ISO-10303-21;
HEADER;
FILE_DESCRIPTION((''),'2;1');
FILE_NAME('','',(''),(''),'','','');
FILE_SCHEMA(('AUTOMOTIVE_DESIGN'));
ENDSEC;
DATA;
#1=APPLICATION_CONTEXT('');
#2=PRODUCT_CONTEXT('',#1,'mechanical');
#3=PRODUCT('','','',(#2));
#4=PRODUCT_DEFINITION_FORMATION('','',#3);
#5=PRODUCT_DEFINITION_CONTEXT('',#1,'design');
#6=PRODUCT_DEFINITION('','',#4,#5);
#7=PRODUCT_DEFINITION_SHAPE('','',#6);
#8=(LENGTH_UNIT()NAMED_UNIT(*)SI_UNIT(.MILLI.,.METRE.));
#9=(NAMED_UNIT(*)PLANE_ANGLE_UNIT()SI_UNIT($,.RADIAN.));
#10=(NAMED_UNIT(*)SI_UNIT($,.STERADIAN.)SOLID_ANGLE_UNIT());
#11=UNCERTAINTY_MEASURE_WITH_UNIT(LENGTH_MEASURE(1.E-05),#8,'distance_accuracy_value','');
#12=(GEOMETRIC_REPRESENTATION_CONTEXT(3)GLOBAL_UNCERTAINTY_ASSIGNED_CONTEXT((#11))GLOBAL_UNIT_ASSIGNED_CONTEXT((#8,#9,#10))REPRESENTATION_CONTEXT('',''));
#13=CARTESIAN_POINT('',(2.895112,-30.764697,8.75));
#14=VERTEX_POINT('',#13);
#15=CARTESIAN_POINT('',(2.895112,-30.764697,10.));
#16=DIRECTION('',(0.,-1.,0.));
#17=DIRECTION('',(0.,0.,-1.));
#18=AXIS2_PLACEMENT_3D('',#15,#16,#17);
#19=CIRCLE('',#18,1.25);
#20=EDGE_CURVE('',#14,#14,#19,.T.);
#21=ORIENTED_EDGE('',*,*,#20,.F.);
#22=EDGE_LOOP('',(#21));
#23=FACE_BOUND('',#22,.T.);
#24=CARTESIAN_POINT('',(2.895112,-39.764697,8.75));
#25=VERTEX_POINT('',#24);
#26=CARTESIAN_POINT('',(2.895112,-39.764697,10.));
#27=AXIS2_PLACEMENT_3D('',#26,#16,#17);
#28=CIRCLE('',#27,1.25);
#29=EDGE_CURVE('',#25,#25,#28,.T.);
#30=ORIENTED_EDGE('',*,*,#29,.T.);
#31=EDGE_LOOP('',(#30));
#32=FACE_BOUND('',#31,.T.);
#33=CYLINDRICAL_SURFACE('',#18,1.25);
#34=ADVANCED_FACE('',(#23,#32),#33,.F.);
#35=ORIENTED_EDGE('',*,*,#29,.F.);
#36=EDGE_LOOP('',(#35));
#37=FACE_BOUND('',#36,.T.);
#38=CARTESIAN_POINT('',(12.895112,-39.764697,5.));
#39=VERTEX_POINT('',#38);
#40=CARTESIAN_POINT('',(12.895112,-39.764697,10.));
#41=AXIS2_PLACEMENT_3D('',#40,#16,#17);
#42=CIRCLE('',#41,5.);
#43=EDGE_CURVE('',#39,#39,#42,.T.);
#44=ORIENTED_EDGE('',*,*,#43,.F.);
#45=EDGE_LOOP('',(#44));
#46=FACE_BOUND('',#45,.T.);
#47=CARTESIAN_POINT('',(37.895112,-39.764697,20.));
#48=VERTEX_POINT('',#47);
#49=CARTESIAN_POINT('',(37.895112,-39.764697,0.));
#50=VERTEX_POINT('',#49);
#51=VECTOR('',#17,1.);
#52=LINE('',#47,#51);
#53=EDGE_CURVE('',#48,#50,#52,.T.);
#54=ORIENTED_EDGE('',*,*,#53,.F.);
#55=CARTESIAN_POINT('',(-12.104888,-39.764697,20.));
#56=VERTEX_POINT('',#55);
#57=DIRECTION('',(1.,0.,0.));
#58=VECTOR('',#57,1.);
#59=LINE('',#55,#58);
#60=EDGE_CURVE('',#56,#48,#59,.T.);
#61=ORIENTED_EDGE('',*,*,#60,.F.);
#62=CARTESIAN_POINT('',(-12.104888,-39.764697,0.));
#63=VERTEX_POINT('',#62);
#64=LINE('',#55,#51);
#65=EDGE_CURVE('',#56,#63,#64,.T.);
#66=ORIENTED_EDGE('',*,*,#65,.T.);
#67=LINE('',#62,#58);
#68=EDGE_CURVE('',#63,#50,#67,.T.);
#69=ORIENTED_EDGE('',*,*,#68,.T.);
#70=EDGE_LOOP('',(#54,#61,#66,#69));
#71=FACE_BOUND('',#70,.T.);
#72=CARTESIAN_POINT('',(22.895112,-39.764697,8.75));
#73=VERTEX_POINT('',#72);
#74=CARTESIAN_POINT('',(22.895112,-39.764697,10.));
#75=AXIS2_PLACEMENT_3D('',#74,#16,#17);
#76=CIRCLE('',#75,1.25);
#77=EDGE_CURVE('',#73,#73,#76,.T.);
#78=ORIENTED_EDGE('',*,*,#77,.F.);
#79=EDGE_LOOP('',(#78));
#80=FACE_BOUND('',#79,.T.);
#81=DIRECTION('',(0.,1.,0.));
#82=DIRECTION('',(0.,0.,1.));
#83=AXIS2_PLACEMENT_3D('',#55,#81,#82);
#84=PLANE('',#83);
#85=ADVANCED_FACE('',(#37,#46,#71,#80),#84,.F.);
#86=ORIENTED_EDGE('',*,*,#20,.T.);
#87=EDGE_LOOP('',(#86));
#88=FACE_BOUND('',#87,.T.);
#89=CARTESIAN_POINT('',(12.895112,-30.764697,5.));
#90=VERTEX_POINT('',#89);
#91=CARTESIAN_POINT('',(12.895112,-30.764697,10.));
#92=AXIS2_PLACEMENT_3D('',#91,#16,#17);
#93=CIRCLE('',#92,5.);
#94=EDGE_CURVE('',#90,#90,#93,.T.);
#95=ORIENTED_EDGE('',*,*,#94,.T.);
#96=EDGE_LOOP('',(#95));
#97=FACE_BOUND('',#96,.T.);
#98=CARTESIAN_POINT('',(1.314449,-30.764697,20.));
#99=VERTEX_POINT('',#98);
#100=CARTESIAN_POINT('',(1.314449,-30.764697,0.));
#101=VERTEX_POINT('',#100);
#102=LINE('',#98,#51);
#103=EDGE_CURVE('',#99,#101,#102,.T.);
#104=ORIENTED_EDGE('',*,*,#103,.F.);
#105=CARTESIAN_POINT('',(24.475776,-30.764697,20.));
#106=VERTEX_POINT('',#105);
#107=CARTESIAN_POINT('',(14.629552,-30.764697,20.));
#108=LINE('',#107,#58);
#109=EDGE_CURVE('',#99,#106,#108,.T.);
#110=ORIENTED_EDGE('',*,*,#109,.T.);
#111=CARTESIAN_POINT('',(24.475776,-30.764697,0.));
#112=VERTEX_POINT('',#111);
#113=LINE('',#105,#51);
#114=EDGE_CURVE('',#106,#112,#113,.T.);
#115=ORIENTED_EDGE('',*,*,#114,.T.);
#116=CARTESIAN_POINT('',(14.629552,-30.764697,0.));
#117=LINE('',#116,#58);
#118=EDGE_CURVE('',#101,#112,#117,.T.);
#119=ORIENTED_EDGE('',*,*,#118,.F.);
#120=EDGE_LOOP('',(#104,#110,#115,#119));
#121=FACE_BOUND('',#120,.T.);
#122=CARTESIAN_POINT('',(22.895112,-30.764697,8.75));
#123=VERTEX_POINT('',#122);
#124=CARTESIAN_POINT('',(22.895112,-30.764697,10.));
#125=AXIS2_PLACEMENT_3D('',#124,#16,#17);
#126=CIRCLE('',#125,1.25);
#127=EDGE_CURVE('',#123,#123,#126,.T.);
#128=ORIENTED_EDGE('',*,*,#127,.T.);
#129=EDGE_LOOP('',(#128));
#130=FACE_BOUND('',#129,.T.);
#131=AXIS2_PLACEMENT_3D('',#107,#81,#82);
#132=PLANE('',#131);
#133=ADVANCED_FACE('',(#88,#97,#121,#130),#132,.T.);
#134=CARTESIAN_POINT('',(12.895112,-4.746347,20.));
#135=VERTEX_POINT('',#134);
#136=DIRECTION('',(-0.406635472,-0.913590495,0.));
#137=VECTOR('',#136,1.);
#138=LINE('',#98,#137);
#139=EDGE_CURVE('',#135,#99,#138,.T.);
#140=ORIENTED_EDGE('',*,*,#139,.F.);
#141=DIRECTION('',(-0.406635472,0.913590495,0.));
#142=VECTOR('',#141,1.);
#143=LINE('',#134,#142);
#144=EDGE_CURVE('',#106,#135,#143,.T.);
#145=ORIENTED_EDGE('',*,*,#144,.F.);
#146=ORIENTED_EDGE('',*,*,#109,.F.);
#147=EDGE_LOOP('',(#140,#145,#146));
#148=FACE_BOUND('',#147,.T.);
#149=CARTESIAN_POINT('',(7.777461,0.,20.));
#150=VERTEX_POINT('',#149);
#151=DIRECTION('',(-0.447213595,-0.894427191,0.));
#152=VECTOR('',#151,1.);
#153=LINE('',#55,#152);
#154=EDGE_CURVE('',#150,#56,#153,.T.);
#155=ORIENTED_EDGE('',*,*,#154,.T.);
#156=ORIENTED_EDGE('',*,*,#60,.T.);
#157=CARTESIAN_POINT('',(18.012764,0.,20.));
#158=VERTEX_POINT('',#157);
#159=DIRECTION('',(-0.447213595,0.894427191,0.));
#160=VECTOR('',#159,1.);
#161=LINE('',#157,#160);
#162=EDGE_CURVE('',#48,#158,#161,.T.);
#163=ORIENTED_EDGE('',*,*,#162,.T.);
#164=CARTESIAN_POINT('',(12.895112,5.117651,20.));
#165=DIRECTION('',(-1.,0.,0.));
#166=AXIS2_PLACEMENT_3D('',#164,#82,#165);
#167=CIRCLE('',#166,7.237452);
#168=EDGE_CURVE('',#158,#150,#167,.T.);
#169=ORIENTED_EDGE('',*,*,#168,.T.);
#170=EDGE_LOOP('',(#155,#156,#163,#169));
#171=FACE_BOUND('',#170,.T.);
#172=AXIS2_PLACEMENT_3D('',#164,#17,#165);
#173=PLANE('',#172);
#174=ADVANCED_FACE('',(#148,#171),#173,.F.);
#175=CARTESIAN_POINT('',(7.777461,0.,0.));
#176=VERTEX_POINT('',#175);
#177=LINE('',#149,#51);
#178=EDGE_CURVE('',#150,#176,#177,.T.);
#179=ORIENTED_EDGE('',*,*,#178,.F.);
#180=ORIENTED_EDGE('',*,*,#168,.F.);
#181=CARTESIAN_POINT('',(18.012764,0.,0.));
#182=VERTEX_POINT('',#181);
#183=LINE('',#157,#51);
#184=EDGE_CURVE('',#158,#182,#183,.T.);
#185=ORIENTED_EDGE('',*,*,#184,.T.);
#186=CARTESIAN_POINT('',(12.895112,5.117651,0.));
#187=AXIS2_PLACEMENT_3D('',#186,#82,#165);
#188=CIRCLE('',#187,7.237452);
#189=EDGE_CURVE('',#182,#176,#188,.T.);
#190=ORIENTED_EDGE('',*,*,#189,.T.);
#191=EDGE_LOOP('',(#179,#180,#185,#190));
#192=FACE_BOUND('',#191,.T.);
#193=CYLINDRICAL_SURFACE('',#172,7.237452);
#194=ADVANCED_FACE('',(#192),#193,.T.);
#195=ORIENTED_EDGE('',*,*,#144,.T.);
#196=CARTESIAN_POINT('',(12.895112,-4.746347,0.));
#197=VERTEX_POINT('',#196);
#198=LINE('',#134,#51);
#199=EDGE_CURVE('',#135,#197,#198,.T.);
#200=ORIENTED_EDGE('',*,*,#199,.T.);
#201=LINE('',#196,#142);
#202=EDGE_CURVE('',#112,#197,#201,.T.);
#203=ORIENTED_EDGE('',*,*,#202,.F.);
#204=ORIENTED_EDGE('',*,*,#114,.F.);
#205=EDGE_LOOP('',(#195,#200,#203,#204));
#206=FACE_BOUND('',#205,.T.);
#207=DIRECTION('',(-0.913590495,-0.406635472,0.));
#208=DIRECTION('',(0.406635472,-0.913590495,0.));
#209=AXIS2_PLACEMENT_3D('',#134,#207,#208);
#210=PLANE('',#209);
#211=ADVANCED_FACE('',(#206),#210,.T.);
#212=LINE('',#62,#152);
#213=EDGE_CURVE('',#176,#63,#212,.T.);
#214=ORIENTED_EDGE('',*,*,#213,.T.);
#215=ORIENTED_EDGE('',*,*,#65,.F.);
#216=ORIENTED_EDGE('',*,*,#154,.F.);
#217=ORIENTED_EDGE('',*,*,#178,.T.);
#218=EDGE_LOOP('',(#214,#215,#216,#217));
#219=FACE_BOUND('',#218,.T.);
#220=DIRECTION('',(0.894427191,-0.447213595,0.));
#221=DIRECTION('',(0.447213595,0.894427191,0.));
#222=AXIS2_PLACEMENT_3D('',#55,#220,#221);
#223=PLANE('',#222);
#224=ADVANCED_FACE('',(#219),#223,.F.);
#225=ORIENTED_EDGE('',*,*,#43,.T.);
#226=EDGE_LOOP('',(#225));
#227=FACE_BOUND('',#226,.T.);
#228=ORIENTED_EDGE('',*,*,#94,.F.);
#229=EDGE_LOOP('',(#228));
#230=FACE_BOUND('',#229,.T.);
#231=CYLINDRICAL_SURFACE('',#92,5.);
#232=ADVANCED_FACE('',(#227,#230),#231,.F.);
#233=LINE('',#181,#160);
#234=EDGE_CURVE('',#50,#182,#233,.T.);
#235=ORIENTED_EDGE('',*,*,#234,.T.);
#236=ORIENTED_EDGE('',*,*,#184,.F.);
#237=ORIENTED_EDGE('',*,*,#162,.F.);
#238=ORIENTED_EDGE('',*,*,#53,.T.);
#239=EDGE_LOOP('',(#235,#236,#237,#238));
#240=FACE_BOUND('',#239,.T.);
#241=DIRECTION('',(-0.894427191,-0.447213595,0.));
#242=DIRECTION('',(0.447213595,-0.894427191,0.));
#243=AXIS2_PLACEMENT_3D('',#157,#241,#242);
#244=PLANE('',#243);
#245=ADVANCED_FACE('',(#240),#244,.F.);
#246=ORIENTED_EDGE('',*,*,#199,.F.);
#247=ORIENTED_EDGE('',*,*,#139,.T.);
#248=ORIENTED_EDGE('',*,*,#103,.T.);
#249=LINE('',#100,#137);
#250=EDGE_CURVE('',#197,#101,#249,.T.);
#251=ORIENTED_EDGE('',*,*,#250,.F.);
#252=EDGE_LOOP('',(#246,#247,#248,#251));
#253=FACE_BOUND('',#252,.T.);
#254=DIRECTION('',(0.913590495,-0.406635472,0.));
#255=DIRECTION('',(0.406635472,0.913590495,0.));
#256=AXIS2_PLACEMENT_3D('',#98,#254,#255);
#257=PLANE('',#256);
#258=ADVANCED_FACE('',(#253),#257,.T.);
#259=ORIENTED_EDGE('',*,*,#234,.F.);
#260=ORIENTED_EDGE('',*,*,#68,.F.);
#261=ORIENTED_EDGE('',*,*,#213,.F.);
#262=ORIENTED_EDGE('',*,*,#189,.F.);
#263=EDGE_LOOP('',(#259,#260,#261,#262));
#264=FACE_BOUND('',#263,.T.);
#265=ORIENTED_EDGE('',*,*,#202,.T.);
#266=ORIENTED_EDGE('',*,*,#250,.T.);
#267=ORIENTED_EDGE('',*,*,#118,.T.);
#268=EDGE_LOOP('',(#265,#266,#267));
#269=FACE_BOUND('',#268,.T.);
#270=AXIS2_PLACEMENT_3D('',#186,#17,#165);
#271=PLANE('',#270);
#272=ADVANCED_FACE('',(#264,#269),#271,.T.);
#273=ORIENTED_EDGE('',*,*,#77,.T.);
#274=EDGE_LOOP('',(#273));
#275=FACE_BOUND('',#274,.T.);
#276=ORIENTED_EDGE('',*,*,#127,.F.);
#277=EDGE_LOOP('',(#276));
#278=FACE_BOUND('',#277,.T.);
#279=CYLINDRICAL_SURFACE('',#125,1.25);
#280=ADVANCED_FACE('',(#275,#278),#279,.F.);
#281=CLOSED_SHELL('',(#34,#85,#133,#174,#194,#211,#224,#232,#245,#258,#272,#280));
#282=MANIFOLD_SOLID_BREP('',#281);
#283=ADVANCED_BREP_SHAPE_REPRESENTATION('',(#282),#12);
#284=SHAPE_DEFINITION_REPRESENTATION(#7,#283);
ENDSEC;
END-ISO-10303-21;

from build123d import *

# Parameters (mm, degrees)
SALIENTE_EXTRUIR1_DEPTH = 20
CROQUIS4_R              = 5
CROQUIS4_R_2            = 1.25
CORTAR_EXTRUIR3_DEPTH   = 9


with BuildPart() as part:
    # Croquis1 → Saliente-Extruir1 (new body)
    with BuildSketch(Plane.XY):
        with BuildLine():
            Line((-12.104887717, -39.764697086), (7.777460826, 0))
            ThreePointArc((7.777460826, 0), (12.895112283, 12.355103555), (18.01276374, 0))
            Line((18.01276374, 0), (37.895112283, -39.764697086))
            Line((37.895112283, -39.764697086), (-12.104887717, -39.764697086))
        make_face()
        Polygon((1.314448857, -30.764697086), (12.895112283, -4.746347114), (24.475775709, -30.764697086), (14.62955151, -30.764697086), align=None, mode=Mode.SUBTRACT)
    extrude(amount=SALIENTE_EXTRUIR1_DEPTH)

    # Croquis4 → Cortar-Extruir3 (cut)
    with BuildSketch(Plane.XZ.offset(39.764697086)):
        with Locations(Location((12.895112283, 10, 0), (0, 0, 270))):
            Circle(CROQUIS4_R)
        with Locations(Location((22.895112283, 10, 0), (0, 0, 270))):
            Circle(CROQUIS4_R_2)
        with Locations(Location((2.895112283, 10, 0), (0, 0, 270))):
            Circle(CROQUIS4_R_2)
    extrude(amount=-CORTAR_EXTRUIR3_DEPTH, mode=Mode.SUBTRACT)


solid = part.part
